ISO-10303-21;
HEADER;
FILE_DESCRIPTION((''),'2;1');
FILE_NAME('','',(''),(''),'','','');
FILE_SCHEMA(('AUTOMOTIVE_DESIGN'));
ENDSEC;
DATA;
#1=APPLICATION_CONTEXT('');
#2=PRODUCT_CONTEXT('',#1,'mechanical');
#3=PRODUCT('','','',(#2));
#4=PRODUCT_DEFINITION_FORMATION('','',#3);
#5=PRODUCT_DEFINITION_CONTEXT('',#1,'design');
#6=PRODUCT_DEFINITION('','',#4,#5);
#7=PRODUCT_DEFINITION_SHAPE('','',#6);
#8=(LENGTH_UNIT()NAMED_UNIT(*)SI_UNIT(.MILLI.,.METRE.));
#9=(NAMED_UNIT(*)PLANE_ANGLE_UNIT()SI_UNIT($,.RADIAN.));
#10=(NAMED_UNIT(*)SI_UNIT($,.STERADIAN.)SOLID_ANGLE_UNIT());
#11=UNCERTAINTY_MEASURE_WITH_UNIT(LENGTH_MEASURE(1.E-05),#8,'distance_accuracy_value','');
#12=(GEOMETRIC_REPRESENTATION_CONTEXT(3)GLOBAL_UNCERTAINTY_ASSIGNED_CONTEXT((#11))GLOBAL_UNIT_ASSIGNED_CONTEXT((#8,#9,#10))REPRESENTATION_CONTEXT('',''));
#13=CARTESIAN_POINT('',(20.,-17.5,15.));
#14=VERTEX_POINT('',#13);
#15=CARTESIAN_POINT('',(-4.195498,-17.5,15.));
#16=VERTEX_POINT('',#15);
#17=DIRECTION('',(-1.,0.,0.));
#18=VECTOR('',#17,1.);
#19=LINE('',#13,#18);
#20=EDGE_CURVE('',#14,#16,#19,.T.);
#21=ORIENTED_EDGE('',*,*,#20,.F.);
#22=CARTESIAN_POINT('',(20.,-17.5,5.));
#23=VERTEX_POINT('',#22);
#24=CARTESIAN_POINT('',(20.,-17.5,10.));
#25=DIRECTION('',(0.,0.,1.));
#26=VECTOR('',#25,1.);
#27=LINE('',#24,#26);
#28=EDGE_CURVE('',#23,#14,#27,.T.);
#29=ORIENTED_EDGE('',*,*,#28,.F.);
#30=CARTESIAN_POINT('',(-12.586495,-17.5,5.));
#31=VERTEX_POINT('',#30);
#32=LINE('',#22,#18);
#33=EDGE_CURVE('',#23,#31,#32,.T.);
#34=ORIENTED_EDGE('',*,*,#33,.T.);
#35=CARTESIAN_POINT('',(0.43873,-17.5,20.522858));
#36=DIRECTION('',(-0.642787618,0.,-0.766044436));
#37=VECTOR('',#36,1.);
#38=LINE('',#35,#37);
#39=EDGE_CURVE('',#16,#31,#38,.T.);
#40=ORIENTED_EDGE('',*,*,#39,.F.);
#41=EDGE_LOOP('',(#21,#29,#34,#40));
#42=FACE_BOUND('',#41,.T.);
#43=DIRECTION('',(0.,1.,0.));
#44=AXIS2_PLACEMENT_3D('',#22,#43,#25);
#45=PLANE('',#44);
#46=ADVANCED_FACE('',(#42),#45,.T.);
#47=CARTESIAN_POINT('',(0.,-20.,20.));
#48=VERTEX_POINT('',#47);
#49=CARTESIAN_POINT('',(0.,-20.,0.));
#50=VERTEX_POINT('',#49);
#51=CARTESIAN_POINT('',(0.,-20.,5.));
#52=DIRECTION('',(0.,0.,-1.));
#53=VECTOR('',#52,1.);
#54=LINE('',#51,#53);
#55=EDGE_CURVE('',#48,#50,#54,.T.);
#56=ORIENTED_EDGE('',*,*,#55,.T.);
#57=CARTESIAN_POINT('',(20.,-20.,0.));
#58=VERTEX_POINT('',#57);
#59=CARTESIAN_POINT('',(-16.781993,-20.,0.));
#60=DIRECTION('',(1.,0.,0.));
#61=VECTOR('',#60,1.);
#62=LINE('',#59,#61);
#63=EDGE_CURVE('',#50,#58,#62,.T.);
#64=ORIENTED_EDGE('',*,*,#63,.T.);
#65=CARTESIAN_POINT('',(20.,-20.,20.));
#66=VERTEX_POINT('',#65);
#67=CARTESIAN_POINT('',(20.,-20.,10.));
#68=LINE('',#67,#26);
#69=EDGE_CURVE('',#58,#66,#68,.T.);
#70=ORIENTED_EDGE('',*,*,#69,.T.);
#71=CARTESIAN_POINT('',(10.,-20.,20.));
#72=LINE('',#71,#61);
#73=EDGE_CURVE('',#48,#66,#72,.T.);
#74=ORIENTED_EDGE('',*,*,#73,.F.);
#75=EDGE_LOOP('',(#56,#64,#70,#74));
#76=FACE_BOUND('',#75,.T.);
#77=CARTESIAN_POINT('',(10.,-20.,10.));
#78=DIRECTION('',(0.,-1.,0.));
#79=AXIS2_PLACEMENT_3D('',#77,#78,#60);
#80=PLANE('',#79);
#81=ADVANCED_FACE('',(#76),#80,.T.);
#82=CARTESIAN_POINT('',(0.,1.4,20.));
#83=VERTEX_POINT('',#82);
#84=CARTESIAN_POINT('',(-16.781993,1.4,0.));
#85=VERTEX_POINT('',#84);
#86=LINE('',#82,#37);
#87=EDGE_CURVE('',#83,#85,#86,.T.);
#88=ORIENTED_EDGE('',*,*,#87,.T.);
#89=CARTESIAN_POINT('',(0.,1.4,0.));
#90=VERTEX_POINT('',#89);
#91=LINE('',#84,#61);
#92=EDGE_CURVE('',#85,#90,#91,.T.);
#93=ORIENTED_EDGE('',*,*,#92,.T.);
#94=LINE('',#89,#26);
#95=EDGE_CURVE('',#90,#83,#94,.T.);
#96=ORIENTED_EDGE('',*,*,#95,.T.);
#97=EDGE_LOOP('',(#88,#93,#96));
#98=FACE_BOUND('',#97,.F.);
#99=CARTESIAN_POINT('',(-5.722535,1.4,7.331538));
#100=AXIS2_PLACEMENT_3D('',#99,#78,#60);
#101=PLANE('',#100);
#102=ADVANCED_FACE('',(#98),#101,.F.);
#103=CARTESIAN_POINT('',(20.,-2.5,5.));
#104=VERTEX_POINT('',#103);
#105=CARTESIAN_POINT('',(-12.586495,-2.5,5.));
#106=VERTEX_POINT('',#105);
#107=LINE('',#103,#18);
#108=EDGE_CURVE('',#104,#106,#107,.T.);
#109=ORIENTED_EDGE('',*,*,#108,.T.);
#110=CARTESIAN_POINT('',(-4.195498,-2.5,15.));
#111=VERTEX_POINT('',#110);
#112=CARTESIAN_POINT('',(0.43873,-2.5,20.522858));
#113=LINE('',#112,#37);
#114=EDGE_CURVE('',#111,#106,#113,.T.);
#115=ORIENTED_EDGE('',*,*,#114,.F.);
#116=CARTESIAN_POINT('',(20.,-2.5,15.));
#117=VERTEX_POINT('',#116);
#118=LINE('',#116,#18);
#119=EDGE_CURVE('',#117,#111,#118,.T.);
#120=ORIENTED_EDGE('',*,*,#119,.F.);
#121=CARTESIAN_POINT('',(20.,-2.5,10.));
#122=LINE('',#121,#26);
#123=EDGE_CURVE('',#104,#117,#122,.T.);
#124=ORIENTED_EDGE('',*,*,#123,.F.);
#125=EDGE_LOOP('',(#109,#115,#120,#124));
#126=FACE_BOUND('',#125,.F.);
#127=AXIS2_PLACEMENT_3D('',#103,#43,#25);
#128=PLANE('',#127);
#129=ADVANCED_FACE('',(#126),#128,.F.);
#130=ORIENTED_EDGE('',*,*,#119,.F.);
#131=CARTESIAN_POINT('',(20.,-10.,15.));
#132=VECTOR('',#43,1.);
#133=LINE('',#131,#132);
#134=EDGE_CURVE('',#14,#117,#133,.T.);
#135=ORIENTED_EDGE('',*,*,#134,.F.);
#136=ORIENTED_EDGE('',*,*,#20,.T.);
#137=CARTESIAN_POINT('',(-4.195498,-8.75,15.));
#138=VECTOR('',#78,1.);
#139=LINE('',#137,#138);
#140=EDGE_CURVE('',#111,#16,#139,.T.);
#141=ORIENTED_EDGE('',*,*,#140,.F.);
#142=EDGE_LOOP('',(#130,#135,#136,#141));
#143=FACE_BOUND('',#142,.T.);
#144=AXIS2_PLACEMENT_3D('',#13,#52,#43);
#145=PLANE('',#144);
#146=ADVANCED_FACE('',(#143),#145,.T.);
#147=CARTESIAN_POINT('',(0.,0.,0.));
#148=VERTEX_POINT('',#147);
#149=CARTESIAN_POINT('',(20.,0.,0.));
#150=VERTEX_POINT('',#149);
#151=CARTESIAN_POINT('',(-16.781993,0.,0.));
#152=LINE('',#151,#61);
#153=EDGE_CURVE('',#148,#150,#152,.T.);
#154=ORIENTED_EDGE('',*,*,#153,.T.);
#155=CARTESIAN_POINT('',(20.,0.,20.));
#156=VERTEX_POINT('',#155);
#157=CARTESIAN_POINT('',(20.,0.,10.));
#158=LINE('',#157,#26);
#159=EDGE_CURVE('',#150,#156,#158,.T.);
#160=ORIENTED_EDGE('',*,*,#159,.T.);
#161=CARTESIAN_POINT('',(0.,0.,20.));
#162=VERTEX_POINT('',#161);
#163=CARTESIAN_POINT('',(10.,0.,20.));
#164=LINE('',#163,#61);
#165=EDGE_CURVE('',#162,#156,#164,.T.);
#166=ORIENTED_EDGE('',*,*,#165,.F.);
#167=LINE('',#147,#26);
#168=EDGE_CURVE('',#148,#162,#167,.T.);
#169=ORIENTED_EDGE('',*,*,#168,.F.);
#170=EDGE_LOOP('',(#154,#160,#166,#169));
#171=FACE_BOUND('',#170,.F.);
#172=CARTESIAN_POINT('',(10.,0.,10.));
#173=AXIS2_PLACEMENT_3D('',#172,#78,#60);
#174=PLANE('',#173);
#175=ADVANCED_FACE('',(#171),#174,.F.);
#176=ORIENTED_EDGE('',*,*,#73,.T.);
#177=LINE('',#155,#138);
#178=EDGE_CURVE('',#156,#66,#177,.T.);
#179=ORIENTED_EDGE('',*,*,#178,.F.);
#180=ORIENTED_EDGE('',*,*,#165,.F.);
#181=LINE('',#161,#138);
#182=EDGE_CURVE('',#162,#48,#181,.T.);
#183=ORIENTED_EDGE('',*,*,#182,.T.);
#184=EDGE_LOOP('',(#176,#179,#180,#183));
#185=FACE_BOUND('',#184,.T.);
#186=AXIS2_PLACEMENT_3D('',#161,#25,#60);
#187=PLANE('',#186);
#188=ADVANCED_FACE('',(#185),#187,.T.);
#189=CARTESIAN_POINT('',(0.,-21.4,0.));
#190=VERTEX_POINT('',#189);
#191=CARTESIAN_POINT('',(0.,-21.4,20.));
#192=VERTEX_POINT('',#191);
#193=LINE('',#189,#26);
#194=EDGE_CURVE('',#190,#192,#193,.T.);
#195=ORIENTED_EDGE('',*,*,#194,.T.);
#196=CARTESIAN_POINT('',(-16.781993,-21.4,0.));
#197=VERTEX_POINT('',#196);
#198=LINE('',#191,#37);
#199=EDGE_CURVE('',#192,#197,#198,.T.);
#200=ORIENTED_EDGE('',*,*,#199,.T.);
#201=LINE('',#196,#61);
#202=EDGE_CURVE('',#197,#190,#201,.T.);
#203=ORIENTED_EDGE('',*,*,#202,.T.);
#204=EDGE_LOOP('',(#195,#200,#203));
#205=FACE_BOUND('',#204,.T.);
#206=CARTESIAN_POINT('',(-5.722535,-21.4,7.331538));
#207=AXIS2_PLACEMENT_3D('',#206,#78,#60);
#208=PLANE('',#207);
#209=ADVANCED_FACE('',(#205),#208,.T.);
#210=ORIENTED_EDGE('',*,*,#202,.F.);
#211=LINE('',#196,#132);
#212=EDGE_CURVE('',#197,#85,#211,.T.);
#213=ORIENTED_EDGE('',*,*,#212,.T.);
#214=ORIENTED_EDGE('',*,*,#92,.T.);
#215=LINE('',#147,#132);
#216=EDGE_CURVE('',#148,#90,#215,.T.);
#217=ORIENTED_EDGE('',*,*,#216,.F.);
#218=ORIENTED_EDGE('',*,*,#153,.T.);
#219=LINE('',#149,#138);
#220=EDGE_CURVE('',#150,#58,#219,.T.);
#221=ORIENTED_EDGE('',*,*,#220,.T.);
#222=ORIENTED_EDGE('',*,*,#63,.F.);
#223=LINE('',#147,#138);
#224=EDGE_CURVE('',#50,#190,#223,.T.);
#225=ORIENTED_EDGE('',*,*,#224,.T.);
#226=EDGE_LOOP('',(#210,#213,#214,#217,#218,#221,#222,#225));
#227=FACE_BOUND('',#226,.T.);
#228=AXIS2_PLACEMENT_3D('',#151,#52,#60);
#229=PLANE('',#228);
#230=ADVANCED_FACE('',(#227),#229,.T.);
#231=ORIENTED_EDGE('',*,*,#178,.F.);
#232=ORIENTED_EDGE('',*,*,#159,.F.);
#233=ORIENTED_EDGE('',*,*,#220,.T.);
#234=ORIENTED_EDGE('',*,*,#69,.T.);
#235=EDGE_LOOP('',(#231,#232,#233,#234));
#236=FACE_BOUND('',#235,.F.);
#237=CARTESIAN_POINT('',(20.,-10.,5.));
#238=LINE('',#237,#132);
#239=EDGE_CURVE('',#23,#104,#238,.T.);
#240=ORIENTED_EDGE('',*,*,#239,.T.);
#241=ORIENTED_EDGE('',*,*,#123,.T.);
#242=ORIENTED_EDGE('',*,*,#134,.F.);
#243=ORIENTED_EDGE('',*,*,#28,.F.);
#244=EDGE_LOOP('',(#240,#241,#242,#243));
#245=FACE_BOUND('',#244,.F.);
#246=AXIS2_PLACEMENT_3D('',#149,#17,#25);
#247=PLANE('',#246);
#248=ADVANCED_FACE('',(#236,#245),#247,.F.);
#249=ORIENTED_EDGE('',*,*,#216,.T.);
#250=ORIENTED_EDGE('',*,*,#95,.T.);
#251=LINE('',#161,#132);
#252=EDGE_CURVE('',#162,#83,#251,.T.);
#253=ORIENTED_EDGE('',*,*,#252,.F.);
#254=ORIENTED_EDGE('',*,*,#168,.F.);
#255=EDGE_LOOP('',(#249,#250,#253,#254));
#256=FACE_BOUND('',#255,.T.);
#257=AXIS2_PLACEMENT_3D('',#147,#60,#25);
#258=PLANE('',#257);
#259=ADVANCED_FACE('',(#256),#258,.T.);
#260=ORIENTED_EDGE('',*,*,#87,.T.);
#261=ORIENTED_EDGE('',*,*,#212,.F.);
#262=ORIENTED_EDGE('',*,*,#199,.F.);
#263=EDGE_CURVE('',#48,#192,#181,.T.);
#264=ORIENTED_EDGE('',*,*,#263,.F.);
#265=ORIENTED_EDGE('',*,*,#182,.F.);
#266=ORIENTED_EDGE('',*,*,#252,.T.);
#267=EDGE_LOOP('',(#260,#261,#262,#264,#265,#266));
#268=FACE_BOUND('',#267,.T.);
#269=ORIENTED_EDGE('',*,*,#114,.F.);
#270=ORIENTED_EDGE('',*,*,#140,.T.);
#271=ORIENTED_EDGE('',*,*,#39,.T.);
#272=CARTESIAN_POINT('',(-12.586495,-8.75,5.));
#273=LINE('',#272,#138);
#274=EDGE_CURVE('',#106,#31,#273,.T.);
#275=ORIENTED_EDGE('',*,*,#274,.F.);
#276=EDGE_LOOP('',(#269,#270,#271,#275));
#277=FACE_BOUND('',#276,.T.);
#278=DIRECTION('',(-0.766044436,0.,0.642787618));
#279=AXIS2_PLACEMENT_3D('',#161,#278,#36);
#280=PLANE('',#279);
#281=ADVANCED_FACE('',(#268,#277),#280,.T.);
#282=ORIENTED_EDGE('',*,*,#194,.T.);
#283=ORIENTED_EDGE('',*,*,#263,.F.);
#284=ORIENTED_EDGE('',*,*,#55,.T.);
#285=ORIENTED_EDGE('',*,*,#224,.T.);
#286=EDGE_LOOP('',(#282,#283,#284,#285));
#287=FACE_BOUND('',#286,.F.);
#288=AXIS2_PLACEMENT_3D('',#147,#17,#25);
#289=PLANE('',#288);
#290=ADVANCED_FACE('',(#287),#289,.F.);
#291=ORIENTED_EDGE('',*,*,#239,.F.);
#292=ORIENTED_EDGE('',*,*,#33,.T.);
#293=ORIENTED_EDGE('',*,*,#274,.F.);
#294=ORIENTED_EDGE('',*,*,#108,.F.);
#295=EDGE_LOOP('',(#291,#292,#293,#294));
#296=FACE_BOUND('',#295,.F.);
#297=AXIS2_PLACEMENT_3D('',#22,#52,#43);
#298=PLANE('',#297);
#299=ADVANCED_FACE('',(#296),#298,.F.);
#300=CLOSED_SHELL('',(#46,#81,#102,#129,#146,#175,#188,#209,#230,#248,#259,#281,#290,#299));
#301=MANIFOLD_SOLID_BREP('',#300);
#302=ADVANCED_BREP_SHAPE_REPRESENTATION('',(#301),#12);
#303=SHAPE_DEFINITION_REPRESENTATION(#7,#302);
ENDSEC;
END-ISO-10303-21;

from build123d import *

# Parameters (mm, degrees)
F0_W          = 20
F0_H          = 20
F1_DEPTH      = 20
F2_DEPTH      = 21.4
F2_DEPTH_BACK = 1.4
F3_W          = 15
F3_H          = 10
F4_DEPTH      = 36.782993


with BuildPart() as f1:
    # F0 (on Front) → F1 (new body)
    with BuildSketch(Plane.XZ):
        with Locations((10, 10)):
            Rectangle(F0_W, F0_H)
        Polygon((-16.781993, 0), (0, 0), (0, 20), align=None)
    extrude(amount=F1_DEPTH)

    # F0 (on Front) → F2 (join, two sides)
    with BuildSketch(Plane.XZ) as f2_sk:
        Polygon((-16.781993, 0), (0, 0), (0, 20), align=None)
    extrude(amount=F2_DEPTH)
    extrude(f2_sk.sketch, amount=-F2_DEPTH_BACK)

    # F3 (on face) → F4 (cut, through all)
    with BuildSketch(Plane.YZ.offset(20)):
        with Locations((-10, 10)):
            Rectangle(F3_W, F3_H)
    extrude(amount=-F4_DEPTH, mode=Mode.SUBTRACT)


solid = f1.part
